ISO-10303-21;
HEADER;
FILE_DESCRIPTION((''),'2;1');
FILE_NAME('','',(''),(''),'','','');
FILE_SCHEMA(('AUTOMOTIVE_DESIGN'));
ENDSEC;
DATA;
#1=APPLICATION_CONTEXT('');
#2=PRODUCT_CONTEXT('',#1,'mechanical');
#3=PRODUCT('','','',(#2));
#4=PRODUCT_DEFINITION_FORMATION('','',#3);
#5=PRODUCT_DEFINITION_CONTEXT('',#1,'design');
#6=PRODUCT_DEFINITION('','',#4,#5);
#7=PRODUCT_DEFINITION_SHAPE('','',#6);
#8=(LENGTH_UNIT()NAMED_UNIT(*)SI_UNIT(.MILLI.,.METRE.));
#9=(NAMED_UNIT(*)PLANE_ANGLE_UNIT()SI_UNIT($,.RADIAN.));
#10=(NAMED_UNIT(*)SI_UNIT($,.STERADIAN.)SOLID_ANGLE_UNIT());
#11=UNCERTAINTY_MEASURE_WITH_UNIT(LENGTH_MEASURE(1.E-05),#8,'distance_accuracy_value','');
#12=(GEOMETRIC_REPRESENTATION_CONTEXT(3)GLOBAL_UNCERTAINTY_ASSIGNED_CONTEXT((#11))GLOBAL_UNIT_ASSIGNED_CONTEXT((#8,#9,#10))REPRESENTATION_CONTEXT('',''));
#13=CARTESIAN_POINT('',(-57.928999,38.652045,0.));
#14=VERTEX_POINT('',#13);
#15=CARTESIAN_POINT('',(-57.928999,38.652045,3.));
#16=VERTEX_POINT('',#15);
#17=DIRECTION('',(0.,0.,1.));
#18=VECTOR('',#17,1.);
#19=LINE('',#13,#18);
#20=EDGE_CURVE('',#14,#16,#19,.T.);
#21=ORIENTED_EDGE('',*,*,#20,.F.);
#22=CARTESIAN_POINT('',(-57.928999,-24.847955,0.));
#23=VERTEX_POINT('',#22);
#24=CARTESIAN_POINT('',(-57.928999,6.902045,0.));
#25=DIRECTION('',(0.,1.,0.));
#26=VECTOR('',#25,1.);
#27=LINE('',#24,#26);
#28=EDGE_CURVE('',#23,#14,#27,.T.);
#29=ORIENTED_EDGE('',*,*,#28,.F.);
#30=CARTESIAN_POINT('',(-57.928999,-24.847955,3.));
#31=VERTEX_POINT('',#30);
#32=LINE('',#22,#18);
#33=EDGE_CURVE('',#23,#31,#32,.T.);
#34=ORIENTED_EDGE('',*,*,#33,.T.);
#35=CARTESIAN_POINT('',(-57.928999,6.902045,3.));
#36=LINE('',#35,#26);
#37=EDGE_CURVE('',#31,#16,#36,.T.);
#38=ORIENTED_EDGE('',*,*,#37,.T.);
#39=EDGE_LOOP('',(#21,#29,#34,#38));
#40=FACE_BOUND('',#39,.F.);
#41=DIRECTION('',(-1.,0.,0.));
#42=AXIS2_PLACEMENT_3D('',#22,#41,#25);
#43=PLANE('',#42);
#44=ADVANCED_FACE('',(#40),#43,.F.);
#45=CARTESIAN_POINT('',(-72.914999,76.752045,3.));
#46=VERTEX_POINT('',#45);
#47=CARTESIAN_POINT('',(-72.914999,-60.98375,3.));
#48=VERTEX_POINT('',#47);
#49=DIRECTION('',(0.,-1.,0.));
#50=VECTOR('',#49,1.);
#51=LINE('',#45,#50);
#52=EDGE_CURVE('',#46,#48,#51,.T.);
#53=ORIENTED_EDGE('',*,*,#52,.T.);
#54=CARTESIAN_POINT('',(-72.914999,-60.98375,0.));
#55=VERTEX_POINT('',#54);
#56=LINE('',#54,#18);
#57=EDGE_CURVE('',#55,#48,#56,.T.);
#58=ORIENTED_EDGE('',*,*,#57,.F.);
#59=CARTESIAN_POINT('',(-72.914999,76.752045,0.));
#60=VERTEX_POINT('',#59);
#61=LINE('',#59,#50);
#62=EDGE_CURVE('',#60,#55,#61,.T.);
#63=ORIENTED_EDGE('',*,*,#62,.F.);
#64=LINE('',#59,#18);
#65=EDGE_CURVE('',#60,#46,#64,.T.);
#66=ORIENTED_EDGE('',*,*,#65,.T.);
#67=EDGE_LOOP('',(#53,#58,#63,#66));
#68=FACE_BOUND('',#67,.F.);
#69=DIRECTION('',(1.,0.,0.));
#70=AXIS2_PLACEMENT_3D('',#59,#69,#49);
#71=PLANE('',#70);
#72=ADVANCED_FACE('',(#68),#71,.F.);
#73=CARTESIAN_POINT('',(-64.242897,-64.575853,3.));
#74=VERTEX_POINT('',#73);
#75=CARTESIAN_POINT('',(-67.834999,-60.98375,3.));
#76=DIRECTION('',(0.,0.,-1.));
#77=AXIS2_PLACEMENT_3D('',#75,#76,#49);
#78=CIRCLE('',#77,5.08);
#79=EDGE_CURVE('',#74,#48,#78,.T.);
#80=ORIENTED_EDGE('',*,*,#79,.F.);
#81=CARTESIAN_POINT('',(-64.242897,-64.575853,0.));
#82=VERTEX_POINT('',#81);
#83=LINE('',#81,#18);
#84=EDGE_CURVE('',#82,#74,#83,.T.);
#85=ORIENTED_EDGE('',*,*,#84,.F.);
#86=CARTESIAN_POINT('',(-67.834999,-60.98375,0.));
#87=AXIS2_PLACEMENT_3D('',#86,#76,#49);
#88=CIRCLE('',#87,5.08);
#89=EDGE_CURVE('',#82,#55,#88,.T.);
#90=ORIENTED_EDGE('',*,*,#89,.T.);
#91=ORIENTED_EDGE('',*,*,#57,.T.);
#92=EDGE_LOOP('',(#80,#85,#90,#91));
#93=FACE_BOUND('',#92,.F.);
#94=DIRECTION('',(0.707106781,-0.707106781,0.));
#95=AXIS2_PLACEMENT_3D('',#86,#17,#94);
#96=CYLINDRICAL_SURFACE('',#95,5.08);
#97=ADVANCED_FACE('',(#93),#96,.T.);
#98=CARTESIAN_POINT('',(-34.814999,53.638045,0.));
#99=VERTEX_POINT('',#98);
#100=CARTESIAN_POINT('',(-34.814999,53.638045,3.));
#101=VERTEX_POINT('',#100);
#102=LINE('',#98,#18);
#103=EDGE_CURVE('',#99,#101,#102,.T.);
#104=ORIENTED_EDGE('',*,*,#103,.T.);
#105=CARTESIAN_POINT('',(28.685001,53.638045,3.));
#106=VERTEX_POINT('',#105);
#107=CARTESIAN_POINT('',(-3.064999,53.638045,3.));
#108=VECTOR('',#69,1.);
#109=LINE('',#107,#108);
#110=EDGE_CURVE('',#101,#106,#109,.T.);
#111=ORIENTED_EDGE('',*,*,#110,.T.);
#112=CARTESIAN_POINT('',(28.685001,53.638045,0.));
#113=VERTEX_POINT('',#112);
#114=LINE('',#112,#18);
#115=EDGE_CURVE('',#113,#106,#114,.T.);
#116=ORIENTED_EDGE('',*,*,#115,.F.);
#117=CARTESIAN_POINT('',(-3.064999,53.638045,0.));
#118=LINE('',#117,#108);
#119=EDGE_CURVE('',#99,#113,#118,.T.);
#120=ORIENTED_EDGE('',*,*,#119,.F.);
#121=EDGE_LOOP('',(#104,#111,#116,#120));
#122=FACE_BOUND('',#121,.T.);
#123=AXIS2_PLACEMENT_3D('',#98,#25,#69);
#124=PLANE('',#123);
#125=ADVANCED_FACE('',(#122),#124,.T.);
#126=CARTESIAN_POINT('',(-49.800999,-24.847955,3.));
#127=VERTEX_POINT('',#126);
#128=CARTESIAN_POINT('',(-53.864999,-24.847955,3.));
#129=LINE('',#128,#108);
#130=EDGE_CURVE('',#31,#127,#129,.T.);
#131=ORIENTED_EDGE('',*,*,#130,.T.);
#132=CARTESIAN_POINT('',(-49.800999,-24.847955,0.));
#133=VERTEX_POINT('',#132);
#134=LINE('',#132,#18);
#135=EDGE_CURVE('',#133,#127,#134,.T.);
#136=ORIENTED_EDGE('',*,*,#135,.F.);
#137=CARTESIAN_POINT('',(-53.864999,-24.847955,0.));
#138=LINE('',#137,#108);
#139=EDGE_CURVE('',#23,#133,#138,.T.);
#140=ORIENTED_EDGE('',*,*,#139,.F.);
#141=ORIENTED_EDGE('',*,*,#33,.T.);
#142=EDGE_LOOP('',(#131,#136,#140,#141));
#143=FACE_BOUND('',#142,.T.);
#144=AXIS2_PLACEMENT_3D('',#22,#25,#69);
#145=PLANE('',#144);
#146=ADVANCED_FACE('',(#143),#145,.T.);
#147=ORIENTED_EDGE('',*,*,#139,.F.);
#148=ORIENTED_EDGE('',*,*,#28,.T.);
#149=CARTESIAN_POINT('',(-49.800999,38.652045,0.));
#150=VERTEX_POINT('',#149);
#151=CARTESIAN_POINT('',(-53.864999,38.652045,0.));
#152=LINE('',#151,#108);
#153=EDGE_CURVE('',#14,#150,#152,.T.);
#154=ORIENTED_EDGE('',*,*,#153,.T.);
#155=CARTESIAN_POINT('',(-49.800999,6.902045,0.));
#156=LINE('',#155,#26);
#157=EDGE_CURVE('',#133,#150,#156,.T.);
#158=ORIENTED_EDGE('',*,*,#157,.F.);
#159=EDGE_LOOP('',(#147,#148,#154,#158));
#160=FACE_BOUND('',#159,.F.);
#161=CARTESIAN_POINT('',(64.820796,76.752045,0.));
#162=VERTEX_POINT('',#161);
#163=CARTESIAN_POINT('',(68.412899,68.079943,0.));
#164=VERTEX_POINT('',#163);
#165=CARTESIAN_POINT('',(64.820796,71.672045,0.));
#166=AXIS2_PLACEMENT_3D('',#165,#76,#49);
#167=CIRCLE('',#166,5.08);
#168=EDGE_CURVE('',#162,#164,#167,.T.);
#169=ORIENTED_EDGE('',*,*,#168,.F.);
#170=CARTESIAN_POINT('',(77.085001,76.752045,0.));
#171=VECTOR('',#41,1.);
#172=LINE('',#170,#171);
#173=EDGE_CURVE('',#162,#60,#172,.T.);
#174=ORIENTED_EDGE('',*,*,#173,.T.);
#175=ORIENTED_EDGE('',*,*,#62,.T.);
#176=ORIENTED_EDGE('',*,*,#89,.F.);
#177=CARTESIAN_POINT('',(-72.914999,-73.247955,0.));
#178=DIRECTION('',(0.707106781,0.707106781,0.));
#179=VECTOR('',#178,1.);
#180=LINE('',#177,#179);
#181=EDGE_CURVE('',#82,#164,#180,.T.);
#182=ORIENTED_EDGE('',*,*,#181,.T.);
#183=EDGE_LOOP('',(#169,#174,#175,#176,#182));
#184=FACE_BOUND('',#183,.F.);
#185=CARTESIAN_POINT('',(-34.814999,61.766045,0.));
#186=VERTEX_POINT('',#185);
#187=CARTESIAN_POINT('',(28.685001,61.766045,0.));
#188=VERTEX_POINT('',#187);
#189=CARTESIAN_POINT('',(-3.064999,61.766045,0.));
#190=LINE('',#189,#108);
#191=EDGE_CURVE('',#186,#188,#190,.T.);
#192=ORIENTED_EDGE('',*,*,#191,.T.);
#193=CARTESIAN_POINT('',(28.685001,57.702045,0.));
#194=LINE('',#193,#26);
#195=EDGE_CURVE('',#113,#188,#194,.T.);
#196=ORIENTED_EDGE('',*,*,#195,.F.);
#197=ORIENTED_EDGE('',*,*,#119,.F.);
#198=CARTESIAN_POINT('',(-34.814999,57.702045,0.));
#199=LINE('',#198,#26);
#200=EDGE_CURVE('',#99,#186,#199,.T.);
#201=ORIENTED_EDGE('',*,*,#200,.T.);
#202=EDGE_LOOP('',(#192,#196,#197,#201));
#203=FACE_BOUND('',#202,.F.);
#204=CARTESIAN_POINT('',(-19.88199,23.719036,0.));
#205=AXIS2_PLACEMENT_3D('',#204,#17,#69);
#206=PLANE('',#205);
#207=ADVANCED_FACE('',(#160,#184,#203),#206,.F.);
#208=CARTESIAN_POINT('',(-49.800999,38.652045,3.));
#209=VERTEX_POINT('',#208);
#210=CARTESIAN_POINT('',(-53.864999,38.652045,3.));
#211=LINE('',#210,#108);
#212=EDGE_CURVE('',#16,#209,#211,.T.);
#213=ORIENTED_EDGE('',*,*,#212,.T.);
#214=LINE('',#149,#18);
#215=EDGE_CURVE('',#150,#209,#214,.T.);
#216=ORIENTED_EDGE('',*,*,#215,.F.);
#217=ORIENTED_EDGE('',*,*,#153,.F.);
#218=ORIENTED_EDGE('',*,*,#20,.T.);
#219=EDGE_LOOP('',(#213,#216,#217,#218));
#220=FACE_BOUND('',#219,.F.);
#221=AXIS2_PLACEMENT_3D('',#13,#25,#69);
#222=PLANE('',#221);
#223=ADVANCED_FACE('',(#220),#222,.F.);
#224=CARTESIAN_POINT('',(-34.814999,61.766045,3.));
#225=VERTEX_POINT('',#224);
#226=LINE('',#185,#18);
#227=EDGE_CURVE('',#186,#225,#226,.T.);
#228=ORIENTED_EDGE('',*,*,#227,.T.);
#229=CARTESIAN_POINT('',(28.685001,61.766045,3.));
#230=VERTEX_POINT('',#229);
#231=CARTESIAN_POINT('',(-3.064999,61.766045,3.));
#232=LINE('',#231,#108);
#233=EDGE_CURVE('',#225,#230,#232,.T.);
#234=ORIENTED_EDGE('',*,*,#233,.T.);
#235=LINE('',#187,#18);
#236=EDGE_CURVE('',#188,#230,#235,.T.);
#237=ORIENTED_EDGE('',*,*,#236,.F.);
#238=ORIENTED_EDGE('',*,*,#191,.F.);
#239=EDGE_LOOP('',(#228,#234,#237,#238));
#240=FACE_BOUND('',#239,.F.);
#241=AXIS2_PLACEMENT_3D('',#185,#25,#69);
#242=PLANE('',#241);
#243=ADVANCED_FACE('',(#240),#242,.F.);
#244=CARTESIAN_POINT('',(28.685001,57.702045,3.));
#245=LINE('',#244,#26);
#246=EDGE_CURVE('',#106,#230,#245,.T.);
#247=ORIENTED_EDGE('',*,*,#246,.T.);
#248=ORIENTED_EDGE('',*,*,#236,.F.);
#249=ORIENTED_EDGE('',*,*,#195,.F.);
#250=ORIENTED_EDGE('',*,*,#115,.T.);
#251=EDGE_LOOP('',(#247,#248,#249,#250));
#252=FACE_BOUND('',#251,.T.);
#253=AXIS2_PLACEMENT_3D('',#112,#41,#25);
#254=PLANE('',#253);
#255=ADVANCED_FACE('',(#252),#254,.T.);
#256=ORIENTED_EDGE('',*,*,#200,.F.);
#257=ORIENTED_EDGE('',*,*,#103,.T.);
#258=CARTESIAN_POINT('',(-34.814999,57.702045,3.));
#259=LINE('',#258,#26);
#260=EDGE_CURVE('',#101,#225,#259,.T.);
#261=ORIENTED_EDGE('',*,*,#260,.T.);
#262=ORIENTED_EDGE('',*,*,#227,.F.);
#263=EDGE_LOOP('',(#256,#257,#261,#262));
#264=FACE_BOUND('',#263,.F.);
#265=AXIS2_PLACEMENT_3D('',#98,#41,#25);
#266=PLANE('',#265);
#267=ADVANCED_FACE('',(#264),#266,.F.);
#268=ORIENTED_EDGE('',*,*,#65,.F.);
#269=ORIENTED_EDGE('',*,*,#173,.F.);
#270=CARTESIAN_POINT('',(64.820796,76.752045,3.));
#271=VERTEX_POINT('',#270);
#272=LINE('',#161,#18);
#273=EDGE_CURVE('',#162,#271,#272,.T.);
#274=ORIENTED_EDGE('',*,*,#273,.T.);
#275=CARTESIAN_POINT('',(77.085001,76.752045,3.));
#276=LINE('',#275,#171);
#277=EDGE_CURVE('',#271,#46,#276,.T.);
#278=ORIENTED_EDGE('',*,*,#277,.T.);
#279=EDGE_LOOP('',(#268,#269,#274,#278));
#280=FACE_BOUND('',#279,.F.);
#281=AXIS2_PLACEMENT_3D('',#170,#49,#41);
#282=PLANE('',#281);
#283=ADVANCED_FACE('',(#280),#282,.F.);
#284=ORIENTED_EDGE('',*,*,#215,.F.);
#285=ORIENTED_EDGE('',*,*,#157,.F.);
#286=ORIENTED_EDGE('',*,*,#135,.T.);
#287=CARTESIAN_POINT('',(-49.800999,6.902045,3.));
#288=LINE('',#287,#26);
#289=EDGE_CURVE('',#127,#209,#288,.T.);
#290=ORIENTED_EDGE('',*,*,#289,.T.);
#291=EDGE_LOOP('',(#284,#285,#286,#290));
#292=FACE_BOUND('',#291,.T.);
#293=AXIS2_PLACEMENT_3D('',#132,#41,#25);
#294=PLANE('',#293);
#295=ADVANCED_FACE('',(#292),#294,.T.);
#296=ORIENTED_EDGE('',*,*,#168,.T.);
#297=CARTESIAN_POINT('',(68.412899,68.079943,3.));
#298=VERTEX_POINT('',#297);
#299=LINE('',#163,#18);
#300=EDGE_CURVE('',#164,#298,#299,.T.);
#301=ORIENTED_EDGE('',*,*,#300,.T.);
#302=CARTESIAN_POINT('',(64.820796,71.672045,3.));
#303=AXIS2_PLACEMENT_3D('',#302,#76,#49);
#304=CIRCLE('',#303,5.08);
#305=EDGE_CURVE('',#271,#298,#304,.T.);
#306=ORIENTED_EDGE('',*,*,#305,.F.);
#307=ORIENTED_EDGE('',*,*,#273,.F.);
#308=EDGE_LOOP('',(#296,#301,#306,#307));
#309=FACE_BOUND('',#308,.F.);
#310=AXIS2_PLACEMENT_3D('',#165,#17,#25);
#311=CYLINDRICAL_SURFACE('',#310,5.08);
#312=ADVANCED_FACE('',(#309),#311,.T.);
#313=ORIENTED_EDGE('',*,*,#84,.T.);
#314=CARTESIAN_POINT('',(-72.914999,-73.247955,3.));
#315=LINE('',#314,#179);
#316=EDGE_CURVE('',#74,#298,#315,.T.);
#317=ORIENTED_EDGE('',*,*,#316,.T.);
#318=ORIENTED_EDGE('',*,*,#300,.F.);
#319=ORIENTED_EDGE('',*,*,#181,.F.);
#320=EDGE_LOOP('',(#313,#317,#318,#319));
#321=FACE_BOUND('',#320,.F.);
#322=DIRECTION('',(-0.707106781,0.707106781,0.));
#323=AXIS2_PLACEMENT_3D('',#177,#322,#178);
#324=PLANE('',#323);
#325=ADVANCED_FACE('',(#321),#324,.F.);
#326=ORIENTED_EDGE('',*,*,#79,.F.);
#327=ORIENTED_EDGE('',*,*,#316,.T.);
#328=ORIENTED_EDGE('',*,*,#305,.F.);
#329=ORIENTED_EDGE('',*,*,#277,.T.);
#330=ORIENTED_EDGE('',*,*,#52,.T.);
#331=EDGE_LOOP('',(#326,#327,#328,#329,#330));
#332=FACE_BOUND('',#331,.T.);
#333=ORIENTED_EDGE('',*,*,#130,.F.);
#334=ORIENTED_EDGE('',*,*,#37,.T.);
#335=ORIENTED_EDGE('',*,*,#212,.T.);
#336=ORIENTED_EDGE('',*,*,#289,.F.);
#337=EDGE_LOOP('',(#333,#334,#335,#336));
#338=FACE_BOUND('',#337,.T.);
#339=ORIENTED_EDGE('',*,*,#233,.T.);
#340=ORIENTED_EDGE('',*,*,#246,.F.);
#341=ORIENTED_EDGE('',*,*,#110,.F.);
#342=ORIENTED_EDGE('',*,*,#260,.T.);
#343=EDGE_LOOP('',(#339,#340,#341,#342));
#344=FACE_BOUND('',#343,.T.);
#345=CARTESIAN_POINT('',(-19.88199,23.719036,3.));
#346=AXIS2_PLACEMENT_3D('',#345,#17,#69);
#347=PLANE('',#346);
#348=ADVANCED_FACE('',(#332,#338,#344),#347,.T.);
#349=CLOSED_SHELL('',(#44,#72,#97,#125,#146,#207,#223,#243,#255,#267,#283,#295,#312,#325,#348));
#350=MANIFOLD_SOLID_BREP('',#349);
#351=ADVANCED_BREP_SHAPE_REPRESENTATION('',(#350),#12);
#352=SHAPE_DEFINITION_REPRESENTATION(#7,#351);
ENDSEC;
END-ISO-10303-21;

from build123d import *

# Parameters (mm, degrees)
F0_W     = 8.128
F0_H     = 63.5
F0_W_2   = 63.5
F0_H_2   = 8.128
F1_DEPTH = 3
F2_R     = 5.08


with BuildPart() as f1:
    # F0 (on Top) → F1 (new body)
    with BuildSketch(Plane.XY):
        Polygon((77.085001, 76.752045), (-72.914999, 76.752045), (-72.914999, -73.247955), align=None)
        with Locations((-53.864999, 6.902045)):
            Rectangle(F0_W, F0_H, mode=Mode.SUBTRACT)
        with Locations((-3.064999, 57.702045)):
            Rectangle(F0_W_2, F0_H_2, mode=Mode.SUBTRACT)
    extrude(amount=F1_DEPTH)

    # F2
    f2_edges = [f1.edges().sort_by_distance(p)[0] for p in [
        (-72.914999, -73.247955, 1.5),
        (77.085001, 76.752045, 1.5),
    ]]
    fillet(f2_edges, radius=F2_R)


solid = f1.part
